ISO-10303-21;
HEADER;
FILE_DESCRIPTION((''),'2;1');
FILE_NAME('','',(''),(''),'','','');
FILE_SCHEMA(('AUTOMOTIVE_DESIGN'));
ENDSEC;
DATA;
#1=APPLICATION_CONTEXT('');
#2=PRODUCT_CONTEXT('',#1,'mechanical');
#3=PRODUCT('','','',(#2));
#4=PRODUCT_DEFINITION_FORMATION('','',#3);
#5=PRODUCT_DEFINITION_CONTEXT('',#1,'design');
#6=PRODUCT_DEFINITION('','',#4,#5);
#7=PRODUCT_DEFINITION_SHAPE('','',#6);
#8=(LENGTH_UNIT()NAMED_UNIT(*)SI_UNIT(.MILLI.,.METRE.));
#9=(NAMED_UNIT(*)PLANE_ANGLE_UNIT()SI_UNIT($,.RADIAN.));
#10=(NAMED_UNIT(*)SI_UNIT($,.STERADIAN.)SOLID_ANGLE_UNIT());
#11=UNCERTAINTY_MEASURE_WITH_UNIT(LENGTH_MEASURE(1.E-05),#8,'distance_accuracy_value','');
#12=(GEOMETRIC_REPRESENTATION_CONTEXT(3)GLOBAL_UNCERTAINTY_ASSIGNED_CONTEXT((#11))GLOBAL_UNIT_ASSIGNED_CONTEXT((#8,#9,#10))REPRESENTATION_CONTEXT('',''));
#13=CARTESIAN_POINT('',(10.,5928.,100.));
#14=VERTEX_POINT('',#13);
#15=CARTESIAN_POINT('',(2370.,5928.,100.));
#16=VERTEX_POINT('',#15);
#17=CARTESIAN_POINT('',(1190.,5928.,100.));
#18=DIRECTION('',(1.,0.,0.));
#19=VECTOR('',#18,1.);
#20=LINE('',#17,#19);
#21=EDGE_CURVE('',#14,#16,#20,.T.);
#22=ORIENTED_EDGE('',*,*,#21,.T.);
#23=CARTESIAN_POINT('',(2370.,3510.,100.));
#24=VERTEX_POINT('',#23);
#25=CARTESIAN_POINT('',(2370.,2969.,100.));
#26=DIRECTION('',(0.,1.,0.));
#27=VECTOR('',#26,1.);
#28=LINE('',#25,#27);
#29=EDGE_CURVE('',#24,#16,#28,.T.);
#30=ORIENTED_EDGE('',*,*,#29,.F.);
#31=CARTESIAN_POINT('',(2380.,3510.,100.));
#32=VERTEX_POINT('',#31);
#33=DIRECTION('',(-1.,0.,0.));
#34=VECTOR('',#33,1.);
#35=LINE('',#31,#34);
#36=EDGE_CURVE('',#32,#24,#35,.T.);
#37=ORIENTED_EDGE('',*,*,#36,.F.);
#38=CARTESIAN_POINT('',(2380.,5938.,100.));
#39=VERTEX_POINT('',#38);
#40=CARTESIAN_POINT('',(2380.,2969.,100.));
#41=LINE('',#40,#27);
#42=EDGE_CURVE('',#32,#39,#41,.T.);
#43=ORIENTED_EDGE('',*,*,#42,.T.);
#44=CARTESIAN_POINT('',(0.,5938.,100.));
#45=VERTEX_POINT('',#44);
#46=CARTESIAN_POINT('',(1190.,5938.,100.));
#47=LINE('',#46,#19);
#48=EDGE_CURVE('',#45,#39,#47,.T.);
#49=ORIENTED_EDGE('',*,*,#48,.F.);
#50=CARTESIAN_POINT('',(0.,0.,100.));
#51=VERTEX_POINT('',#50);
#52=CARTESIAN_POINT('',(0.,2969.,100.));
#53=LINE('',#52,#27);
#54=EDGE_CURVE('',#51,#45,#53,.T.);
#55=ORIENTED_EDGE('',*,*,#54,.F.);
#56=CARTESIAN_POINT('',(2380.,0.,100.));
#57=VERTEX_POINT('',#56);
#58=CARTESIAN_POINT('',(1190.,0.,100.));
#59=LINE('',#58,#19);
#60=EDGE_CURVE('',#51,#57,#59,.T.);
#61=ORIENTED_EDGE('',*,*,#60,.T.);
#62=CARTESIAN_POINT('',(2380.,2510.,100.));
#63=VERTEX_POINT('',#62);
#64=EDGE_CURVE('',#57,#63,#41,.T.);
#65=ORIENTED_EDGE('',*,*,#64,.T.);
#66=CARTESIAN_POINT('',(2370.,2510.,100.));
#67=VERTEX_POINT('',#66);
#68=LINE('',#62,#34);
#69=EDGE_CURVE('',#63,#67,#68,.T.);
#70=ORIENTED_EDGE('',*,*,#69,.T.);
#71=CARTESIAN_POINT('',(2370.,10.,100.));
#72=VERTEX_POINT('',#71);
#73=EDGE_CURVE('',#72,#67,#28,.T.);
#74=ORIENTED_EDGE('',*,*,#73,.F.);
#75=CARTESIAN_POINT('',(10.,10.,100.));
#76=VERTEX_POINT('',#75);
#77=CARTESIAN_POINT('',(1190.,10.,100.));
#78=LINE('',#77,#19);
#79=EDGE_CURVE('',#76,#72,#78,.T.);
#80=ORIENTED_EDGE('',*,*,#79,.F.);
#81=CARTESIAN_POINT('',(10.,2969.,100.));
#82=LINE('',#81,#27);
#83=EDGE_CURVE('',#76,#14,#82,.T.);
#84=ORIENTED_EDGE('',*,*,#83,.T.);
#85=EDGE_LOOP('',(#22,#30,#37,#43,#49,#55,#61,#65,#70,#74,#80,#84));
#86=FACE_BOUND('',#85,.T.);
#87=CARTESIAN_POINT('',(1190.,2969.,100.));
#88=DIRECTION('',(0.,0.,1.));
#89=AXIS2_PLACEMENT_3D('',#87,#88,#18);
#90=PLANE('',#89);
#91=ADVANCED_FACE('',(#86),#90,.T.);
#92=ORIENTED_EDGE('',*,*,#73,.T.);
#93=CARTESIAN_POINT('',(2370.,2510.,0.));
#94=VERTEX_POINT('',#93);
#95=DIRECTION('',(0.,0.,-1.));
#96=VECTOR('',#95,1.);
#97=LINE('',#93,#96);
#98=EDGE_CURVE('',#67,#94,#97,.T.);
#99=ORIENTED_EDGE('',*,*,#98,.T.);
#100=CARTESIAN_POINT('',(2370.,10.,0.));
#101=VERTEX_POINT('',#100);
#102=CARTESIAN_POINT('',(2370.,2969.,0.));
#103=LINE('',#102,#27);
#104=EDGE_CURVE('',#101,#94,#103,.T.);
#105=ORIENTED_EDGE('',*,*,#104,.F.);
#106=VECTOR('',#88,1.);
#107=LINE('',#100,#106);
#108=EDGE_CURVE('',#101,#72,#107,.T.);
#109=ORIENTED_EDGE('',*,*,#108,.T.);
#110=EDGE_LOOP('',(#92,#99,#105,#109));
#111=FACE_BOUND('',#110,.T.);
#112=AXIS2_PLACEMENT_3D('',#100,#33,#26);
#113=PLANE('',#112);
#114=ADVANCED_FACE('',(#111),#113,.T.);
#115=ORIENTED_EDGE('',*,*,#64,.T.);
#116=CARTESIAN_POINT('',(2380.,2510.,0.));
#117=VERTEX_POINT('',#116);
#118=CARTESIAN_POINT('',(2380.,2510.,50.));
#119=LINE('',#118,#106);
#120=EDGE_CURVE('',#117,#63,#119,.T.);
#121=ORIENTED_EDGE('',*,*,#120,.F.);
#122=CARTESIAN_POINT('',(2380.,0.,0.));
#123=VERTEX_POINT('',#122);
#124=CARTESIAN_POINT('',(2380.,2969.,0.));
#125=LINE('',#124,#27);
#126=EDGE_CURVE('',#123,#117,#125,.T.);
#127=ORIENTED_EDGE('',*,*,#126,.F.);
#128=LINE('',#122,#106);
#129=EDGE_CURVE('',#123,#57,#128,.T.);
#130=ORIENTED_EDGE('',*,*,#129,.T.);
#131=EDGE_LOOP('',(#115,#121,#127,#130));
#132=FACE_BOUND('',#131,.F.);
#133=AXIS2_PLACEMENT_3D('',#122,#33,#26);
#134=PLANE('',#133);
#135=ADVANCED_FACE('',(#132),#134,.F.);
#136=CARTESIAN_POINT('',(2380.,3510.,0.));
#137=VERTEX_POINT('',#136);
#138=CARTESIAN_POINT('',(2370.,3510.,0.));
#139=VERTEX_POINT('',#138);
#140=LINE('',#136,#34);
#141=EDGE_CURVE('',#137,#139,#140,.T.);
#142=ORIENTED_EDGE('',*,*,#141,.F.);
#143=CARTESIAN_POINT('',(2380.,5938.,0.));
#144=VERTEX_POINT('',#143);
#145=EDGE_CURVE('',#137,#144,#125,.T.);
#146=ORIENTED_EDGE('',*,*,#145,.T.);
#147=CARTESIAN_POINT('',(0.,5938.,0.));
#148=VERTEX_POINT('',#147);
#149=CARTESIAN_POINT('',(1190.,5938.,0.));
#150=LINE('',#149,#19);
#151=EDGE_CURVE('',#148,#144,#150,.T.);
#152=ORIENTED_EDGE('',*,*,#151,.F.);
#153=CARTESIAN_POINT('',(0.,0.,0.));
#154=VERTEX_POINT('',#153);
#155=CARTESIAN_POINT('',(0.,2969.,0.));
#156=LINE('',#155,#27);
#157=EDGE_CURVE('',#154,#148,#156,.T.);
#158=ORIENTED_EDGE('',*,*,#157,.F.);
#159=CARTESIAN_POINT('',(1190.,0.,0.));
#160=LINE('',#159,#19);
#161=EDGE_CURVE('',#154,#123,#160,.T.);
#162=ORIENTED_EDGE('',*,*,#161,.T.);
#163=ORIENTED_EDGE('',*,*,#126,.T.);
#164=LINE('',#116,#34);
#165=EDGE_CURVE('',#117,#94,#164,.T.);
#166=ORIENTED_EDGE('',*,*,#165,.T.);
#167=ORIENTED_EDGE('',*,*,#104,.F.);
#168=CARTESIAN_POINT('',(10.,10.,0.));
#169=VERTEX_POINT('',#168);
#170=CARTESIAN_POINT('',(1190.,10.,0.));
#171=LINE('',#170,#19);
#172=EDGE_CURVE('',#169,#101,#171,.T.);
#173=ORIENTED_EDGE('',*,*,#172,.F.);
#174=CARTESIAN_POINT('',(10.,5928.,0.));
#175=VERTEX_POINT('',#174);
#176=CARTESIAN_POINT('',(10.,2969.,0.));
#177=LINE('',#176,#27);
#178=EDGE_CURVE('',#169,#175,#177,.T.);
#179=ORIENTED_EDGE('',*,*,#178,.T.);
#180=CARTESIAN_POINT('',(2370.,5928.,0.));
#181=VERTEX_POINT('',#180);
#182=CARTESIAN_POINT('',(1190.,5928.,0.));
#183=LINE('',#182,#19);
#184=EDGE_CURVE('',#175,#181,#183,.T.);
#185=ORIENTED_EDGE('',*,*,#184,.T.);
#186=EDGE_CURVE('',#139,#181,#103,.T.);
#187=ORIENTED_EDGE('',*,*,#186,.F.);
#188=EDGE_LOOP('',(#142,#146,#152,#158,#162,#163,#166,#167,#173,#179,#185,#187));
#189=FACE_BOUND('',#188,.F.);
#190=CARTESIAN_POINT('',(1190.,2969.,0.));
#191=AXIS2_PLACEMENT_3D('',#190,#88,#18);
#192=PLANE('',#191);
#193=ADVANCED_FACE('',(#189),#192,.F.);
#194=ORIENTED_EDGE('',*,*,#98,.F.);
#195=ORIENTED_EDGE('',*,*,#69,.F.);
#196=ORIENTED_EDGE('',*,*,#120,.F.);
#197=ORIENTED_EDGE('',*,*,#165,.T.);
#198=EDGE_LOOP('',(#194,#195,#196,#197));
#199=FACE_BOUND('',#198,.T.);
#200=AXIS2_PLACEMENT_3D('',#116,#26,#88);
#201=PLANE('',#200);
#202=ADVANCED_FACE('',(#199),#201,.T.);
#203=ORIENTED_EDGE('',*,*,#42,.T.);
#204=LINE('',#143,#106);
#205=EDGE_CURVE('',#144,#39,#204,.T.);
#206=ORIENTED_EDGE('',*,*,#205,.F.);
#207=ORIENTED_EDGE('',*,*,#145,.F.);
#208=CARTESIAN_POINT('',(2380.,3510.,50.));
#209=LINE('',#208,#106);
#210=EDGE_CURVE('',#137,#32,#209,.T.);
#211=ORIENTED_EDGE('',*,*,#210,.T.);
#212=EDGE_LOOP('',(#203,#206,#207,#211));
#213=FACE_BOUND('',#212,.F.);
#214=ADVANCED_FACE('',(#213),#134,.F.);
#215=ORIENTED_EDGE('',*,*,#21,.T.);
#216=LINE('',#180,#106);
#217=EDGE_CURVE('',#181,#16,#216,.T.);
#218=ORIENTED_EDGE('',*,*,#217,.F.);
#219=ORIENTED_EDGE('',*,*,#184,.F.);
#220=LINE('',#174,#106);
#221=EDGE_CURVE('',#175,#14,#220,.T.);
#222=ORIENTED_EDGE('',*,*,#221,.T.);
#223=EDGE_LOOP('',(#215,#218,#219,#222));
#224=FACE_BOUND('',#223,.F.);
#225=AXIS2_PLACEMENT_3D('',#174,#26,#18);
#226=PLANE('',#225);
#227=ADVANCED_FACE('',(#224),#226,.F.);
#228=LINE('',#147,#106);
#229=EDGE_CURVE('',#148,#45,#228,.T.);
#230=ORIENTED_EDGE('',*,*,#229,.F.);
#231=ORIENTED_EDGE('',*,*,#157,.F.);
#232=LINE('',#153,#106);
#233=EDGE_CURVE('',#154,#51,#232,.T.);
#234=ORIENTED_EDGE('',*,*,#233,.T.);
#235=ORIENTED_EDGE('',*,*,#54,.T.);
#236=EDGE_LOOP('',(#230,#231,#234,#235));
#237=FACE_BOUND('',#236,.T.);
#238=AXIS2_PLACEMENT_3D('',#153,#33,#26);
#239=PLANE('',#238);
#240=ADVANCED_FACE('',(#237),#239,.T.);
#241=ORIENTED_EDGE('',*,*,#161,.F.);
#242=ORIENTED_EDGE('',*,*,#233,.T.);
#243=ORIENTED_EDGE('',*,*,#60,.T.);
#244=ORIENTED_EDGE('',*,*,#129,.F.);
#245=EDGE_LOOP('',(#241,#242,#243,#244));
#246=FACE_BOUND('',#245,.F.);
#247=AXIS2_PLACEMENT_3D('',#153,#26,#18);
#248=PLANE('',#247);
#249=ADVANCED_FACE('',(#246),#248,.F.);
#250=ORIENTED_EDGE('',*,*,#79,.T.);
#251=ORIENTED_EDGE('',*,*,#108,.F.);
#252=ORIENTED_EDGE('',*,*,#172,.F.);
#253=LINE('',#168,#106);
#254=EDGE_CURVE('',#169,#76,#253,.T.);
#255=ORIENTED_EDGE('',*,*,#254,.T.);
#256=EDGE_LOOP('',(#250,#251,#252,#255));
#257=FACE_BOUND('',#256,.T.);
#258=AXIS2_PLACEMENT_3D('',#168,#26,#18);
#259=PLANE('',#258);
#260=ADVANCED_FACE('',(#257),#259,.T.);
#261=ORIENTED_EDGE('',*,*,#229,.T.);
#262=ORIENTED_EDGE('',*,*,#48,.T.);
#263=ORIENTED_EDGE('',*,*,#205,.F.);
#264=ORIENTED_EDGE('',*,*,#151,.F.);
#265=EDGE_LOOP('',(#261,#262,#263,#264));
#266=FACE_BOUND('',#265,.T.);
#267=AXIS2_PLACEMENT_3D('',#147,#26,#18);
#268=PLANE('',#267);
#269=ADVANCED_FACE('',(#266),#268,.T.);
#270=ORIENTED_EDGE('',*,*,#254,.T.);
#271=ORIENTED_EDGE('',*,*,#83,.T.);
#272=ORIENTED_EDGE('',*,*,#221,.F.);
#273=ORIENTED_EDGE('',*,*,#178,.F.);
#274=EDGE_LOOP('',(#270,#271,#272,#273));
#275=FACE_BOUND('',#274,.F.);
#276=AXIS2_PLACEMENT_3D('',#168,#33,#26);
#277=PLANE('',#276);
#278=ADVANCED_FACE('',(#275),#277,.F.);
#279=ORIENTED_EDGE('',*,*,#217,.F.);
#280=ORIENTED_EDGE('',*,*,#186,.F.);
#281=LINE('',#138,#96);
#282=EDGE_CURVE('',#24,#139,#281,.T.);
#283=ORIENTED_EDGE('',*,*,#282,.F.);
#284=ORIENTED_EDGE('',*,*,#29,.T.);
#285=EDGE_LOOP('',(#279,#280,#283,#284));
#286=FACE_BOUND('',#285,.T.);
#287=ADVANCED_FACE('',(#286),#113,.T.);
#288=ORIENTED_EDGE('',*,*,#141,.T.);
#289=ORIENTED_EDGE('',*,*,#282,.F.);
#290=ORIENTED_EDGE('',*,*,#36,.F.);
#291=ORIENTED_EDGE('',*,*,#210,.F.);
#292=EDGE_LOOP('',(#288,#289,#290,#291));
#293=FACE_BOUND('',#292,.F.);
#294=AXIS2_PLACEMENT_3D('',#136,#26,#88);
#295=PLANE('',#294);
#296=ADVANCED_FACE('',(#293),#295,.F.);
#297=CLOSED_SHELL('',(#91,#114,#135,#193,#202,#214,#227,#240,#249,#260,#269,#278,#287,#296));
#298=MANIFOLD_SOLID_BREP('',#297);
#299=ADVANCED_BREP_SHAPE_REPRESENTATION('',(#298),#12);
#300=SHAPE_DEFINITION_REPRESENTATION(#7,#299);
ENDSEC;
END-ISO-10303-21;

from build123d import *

# Parameters (mm, degrees)
F0_W     = 2380
F0_H     = 5938
F0_W_2   = 2360
F0_H_2   = 5918
F1_DEPTH = 100
F2_W     = 1000
F2_H     = 100
F3_DEPTH = 25


with BuildPart() as f1:
    # F0 (on Top) → F1 (new body)
    with BuildSketch(Plane.XY):
        with Locations((1190, 2969)):
            Rectangle(F0_W, F0_H)
        with Locations((1190, 2969)):
            Rectangle(F0_W_2, F0_H_2, mode=Mode.SUBTRACT)
    extrude(amount=F1_DEPTH)

    # F2 (on face) → F3 (cut)
    with BuildSketch(Plane.YZ.offset(2380)):
        with Locations((3010, 50)):
            Rectangle(F2_W, F2_H)
    extrude(amount=-F3_DEPTH, mode=Mode.SUBTRACT)


solid = f1.part
